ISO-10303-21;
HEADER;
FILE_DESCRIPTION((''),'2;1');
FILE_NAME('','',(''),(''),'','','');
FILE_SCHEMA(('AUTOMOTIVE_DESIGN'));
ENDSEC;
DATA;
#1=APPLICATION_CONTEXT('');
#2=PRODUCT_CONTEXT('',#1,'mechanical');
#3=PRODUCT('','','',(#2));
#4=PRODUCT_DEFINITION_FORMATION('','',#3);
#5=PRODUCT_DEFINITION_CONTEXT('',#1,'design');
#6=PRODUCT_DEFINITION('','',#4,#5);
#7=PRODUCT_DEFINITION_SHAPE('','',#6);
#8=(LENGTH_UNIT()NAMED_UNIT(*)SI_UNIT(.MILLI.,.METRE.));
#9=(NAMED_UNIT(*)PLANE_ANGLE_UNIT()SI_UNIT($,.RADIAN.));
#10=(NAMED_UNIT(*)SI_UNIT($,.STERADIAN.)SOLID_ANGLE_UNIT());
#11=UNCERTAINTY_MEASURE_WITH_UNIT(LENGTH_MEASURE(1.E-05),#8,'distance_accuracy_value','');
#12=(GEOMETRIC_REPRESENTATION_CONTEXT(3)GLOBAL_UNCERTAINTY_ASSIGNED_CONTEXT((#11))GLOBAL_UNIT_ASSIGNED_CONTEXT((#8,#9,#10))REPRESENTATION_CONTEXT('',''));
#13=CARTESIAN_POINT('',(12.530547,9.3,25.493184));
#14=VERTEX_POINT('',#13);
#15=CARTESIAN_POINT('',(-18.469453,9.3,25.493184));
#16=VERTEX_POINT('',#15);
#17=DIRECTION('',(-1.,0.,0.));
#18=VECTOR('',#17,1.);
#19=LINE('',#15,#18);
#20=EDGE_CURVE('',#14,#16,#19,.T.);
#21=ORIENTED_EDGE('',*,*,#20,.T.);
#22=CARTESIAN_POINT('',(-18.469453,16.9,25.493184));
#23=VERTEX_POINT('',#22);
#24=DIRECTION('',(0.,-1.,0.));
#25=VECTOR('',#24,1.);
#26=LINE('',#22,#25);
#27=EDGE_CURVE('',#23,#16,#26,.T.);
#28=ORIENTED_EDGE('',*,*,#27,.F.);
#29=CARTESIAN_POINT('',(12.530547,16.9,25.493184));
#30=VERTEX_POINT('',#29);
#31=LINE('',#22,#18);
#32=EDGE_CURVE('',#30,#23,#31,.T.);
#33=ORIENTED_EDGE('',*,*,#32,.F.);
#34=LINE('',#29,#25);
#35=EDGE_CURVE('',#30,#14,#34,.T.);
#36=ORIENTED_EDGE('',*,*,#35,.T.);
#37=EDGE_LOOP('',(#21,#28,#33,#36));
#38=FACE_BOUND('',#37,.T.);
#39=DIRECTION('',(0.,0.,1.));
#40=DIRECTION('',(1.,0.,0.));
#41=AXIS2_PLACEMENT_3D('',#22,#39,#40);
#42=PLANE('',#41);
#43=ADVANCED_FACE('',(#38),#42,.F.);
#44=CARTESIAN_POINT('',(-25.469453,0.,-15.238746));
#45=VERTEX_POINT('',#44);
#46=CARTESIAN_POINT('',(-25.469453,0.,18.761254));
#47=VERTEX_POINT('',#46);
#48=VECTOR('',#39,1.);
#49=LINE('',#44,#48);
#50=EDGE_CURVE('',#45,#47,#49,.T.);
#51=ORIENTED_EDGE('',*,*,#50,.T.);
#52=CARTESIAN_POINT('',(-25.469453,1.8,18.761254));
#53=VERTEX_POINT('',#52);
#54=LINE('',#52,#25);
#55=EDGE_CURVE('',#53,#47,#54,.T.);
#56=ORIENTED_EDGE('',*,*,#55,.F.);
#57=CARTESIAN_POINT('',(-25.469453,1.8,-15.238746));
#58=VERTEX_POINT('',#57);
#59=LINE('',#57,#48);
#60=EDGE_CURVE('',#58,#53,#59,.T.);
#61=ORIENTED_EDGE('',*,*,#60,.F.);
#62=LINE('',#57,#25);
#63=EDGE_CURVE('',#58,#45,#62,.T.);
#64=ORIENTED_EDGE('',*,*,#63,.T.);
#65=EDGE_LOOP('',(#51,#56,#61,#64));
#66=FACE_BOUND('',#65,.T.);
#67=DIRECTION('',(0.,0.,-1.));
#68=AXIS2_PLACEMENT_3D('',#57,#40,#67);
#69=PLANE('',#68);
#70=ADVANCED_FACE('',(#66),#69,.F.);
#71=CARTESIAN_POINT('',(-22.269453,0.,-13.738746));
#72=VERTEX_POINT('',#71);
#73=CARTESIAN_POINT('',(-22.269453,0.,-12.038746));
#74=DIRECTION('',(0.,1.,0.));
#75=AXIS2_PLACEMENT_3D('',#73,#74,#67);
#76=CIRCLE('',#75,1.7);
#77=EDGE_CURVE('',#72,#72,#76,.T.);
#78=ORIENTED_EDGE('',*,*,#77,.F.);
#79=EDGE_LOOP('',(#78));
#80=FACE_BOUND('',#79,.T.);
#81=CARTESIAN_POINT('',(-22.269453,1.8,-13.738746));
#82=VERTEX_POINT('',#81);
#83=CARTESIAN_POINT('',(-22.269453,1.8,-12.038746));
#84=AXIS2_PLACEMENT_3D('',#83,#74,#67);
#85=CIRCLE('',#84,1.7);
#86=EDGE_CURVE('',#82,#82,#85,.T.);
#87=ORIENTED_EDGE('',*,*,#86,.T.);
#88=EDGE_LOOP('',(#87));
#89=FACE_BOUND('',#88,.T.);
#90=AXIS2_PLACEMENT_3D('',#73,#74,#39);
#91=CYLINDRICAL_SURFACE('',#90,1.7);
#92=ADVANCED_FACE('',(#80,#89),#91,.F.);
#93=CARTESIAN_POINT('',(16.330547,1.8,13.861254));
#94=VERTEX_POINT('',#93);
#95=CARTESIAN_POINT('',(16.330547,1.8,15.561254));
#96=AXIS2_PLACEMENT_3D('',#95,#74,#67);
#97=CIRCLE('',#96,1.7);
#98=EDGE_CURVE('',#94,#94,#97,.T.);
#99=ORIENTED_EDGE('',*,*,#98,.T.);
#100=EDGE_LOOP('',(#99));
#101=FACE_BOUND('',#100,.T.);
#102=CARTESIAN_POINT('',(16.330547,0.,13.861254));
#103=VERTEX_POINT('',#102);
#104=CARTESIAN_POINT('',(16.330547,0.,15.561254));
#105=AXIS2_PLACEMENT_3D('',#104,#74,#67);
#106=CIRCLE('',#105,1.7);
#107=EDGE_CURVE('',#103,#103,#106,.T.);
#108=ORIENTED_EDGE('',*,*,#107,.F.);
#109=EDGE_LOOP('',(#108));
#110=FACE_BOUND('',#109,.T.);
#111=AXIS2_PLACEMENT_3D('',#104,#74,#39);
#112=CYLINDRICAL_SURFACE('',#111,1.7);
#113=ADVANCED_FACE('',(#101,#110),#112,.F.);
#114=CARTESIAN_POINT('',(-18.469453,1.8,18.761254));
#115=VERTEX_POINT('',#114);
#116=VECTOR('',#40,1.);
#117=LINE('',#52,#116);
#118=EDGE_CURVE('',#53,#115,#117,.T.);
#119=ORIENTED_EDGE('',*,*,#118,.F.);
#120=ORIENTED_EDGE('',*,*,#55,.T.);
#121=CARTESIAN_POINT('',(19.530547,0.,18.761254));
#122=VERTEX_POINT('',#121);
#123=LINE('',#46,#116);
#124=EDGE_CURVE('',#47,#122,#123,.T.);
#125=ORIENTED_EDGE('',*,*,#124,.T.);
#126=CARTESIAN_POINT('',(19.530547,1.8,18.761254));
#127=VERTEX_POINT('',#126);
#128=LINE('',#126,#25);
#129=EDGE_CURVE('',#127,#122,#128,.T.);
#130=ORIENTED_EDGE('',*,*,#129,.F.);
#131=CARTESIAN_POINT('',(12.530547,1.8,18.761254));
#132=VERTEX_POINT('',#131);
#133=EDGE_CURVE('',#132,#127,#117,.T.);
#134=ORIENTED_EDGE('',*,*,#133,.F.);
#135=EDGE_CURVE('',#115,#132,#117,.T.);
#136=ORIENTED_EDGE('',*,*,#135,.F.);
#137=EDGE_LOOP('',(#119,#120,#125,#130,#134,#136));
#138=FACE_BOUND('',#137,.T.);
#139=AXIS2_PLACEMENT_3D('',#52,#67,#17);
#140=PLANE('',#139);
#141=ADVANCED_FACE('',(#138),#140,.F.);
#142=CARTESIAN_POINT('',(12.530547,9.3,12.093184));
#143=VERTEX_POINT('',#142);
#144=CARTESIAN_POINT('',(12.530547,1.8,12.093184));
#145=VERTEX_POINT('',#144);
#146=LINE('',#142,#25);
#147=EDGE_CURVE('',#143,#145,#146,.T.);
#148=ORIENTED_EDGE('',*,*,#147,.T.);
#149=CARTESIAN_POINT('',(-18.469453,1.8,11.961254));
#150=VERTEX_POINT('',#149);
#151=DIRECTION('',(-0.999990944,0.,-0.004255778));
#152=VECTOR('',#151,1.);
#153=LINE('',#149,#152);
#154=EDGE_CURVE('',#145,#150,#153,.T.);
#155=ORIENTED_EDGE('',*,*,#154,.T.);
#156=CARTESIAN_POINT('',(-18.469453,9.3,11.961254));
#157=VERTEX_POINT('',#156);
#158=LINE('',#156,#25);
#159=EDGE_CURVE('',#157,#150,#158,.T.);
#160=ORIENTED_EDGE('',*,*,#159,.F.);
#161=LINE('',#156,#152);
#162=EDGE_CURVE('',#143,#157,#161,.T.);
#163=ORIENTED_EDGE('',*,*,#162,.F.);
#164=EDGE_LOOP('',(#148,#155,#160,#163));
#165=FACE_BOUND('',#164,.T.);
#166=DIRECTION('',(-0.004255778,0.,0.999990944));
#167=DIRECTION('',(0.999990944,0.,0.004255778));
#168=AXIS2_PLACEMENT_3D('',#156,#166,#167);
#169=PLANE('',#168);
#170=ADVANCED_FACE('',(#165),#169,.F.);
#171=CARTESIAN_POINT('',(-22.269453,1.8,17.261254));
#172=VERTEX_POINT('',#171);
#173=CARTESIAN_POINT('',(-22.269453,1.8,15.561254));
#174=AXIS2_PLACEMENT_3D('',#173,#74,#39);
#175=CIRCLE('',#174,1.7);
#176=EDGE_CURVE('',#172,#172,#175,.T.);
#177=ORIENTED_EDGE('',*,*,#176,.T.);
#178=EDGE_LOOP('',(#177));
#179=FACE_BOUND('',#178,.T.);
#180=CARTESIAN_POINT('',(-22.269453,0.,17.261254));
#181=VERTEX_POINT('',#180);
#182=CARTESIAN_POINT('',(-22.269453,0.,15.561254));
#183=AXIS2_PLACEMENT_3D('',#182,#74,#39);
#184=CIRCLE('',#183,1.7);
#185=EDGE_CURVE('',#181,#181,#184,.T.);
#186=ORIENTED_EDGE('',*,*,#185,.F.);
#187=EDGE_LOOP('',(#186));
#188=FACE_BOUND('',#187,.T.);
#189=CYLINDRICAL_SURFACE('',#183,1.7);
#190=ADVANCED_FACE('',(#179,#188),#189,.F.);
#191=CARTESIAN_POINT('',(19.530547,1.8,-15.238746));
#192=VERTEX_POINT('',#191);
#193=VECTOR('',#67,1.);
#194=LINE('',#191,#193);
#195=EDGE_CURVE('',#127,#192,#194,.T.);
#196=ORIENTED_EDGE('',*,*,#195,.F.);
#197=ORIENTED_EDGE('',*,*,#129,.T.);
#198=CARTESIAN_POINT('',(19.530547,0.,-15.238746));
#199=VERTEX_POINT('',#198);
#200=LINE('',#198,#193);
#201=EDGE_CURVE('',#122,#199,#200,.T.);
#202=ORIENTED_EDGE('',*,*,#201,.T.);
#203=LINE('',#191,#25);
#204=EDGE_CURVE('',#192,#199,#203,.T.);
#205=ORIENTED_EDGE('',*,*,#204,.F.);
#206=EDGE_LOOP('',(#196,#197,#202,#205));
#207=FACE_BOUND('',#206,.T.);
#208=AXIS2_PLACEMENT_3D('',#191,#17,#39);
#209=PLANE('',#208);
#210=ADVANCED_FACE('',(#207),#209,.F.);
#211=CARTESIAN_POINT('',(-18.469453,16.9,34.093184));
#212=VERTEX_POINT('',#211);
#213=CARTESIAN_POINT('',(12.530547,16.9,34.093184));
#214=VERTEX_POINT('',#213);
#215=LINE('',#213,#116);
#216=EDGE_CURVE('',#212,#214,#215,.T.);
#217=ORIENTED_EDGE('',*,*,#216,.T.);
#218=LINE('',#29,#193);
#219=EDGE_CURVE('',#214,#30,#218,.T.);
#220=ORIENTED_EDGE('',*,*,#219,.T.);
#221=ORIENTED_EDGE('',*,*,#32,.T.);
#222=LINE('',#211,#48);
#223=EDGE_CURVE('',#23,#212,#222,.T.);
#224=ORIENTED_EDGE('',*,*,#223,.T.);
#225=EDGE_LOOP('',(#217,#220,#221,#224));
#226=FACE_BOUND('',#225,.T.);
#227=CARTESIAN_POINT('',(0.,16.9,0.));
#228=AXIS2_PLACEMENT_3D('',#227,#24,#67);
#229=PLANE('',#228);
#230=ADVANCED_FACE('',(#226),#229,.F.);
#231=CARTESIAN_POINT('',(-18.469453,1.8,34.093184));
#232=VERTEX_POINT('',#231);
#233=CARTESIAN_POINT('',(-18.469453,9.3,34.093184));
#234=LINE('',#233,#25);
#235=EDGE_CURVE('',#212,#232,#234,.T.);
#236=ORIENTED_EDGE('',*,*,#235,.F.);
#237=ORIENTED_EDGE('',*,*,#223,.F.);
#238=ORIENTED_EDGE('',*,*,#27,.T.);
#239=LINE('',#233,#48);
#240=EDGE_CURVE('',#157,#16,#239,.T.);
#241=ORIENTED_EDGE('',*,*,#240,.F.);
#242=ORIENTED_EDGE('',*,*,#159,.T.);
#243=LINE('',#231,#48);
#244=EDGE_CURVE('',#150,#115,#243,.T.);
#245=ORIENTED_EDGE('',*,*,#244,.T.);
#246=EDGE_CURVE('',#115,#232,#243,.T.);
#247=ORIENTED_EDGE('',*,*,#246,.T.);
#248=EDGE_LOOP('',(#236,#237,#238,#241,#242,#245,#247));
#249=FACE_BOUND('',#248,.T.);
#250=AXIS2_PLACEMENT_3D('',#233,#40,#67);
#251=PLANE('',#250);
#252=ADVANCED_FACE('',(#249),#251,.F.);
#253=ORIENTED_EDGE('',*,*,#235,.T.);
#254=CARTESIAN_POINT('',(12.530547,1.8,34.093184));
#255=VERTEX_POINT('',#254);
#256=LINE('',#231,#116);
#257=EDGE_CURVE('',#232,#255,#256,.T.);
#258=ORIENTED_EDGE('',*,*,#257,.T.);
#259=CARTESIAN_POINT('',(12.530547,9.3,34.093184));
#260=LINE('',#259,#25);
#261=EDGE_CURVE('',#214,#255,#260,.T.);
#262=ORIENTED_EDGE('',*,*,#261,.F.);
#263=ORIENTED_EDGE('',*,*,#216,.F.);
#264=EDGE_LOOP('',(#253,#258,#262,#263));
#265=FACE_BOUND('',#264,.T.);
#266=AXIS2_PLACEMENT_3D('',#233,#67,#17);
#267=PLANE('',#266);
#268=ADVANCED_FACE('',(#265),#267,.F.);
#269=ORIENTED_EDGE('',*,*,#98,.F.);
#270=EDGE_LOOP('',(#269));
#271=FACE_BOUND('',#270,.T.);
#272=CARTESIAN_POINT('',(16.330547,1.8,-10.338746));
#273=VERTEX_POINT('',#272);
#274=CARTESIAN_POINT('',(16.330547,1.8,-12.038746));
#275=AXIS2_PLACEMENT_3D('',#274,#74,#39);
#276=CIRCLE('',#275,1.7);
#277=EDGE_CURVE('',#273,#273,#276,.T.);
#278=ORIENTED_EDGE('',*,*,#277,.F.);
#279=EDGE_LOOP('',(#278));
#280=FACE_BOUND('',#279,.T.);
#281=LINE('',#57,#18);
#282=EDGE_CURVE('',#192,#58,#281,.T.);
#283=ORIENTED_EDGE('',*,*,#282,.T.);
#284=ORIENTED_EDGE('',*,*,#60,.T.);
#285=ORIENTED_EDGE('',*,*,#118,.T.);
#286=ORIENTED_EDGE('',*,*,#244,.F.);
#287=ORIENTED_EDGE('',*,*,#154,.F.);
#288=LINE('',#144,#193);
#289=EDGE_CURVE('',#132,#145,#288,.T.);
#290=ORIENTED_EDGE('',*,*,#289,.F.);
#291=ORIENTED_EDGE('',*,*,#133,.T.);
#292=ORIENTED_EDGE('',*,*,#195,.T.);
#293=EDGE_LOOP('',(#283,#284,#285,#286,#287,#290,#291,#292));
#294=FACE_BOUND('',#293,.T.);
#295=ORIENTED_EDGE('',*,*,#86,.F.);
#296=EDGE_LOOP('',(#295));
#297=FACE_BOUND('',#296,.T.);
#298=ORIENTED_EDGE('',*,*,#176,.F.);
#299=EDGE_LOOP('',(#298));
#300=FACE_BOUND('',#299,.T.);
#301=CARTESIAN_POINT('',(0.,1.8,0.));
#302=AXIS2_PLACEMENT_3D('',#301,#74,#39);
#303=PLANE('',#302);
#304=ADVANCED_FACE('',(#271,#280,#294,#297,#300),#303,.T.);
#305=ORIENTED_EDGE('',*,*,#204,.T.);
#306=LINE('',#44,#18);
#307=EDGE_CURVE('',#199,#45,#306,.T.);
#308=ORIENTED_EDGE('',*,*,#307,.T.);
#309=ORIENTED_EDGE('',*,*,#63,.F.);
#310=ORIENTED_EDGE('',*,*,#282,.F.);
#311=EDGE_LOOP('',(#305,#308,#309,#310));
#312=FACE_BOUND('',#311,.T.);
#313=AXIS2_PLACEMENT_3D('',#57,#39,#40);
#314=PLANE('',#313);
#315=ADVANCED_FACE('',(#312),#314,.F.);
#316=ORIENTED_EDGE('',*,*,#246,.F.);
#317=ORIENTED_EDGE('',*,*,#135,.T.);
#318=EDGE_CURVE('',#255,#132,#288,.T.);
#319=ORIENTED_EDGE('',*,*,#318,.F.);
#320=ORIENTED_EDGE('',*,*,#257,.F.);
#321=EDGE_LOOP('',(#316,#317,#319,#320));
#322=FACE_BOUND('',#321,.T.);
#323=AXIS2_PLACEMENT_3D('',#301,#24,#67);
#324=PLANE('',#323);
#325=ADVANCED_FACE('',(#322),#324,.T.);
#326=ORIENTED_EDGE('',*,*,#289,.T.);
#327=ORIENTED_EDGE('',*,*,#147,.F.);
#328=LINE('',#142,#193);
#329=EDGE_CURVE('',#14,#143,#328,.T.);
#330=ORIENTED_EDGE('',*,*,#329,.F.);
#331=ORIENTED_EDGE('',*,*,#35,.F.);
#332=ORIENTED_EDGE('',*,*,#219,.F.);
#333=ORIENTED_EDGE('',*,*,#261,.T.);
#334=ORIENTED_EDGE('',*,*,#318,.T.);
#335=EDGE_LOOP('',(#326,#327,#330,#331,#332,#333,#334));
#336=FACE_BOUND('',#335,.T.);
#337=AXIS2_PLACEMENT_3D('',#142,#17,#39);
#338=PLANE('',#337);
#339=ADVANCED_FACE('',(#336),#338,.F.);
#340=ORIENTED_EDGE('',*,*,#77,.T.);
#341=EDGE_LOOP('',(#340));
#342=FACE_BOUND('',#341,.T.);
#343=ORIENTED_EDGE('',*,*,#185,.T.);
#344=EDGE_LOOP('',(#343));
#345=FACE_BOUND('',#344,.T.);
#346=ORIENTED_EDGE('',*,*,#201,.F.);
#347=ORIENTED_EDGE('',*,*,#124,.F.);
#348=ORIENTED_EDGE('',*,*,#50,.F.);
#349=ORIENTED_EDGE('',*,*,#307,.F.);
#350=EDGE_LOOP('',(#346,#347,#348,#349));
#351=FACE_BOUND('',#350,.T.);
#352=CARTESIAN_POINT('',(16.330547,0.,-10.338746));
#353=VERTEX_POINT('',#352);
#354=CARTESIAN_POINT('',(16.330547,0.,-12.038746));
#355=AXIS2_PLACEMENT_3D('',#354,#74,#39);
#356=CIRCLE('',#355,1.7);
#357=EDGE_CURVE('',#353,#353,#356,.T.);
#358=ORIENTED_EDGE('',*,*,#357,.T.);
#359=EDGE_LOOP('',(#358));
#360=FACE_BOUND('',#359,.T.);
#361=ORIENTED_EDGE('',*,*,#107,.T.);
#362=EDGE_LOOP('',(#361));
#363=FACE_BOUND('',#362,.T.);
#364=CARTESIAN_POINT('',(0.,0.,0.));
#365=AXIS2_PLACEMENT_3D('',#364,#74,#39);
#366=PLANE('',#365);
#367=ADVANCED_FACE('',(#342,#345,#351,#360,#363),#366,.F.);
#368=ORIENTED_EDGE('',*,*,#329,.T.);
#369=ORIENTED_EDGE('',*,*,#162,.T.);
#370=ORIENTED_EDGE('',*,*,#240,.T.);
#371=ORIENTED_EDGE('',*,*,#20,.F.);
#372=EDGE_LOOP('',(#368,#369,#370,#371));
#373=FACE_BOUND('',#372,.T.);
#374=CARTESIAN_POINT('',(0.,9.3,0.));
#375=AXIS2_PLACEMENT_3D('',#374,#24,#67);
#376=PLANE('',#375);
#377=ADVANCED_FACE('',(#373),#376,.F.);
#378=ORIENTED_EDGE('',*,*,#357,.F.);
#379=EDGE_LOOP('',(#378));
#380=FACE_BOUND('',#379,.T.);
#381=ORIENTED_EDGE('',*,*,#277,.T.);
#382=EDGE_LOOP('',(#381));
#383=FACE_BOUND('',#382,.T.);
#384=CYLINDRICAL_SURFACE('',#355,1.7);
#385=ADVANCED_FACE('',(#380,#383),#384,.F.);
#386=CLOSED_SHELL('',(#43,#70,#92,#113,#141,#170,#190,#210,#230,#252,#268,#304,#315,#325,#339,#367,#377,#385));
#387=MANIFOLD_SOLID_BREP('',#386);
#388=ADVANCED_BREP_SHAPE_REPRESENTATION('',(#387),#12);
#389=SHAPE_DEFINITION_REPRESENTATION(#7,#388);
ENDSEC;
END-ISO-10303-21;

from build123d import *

# Parameters (mm, degrees)
SZKIC1_W                    = 45
SZKIC1_H                    = 34
DODANIE_WYCI_GNI_CIE1_DEPTH = 1.8
SZKIC2_R                    = 1.7
WYTNIJ_WYCI_GNI_CIE1_DEPTH  = 1.8
DODANIE_WYCI_GNI_CIE2_DEPTH = 7.5
SZKIC4_W                    = 31
SZKIC4_H                    = 8.6
DODANIE_WYCI_GNI_CIE3_DEPTH = 7.6


with BuildPart() as part:
    # Szkic1 → Dodanie-wyciągnięcie1 (new body)
    with BuildSketch(Plane(origin=(0, 0, 0), x_dir=(1, 0, 0), z_dir=(0, 1, 0))):
        with Locations((-2.969453376, -1.761254019)):
            Rectangle(SZKIC1_W, SZKIC1_H)
    extrude(amount=DODANIE_WYCI_GNI_CIE1_DEPTH)

    # Szkic2 → Wytnij-wyciągnięcie1 (cut)
    with BuildSketch(Plane(origin=(0, 1.8, 0), x_dir=(1, 0, 0), z_dir=(0, 1, 0))):
        with Locations(Location((-22.269453376, -15.561254019, 0), (0, 0, 270))):
            Circle(SZKIC2_R)
        with Locations(Location((16.330546624, -15.561254019, 0), (0, 0, 90))):
            Circle(SZKIC2_R)
        with Locations(Location((16.330546624, 12.038745981, 0), (0, 0, 270))):
            Circle(SZKIC2_R)
        with Locations(Location((-22.269453376, 12.038745981, 0), (0, 0, 90))):
            Circle(SZKIC2_R)
    extrude(amount=-WYTNIJ_WYCI_GNI_CIE1_DEPTH, mode=Mode.SUBTRACT)

    # Szkic3 → Dodanie-wyciągnięcie2 (add)
    with BuildSketch(Plane(origin=(0, 1.8, 0), x_dir=(1, 0, 0), z_dir=(0, 1, 0))):
        Polygon((-18.469453376, -34.093184344), (-18.469453376, -11.961254019), (12.530546624, -12.093184344), (12.530546624, -34.093184344), align=None)
    extrude(amount=DODANIE_WYCI_GNI_CIE2_DEPTH)

    # Szkic4 → Dodanie-wyciągnięcie3 (add)
    with BuildSketch(Plane(origin=(0, 9.3, 0), x_dir=(1, 0, 0), z_dir=(0, 1, 0))):
        with Locations((-2.969453376, -29.793184344)):
            Rectangle(SZKIC4_W, SZKIC4_H)
    extrude(amount=DODANIE_WYCI_GNI_CIE3_DEPTH)


solid = part.part
